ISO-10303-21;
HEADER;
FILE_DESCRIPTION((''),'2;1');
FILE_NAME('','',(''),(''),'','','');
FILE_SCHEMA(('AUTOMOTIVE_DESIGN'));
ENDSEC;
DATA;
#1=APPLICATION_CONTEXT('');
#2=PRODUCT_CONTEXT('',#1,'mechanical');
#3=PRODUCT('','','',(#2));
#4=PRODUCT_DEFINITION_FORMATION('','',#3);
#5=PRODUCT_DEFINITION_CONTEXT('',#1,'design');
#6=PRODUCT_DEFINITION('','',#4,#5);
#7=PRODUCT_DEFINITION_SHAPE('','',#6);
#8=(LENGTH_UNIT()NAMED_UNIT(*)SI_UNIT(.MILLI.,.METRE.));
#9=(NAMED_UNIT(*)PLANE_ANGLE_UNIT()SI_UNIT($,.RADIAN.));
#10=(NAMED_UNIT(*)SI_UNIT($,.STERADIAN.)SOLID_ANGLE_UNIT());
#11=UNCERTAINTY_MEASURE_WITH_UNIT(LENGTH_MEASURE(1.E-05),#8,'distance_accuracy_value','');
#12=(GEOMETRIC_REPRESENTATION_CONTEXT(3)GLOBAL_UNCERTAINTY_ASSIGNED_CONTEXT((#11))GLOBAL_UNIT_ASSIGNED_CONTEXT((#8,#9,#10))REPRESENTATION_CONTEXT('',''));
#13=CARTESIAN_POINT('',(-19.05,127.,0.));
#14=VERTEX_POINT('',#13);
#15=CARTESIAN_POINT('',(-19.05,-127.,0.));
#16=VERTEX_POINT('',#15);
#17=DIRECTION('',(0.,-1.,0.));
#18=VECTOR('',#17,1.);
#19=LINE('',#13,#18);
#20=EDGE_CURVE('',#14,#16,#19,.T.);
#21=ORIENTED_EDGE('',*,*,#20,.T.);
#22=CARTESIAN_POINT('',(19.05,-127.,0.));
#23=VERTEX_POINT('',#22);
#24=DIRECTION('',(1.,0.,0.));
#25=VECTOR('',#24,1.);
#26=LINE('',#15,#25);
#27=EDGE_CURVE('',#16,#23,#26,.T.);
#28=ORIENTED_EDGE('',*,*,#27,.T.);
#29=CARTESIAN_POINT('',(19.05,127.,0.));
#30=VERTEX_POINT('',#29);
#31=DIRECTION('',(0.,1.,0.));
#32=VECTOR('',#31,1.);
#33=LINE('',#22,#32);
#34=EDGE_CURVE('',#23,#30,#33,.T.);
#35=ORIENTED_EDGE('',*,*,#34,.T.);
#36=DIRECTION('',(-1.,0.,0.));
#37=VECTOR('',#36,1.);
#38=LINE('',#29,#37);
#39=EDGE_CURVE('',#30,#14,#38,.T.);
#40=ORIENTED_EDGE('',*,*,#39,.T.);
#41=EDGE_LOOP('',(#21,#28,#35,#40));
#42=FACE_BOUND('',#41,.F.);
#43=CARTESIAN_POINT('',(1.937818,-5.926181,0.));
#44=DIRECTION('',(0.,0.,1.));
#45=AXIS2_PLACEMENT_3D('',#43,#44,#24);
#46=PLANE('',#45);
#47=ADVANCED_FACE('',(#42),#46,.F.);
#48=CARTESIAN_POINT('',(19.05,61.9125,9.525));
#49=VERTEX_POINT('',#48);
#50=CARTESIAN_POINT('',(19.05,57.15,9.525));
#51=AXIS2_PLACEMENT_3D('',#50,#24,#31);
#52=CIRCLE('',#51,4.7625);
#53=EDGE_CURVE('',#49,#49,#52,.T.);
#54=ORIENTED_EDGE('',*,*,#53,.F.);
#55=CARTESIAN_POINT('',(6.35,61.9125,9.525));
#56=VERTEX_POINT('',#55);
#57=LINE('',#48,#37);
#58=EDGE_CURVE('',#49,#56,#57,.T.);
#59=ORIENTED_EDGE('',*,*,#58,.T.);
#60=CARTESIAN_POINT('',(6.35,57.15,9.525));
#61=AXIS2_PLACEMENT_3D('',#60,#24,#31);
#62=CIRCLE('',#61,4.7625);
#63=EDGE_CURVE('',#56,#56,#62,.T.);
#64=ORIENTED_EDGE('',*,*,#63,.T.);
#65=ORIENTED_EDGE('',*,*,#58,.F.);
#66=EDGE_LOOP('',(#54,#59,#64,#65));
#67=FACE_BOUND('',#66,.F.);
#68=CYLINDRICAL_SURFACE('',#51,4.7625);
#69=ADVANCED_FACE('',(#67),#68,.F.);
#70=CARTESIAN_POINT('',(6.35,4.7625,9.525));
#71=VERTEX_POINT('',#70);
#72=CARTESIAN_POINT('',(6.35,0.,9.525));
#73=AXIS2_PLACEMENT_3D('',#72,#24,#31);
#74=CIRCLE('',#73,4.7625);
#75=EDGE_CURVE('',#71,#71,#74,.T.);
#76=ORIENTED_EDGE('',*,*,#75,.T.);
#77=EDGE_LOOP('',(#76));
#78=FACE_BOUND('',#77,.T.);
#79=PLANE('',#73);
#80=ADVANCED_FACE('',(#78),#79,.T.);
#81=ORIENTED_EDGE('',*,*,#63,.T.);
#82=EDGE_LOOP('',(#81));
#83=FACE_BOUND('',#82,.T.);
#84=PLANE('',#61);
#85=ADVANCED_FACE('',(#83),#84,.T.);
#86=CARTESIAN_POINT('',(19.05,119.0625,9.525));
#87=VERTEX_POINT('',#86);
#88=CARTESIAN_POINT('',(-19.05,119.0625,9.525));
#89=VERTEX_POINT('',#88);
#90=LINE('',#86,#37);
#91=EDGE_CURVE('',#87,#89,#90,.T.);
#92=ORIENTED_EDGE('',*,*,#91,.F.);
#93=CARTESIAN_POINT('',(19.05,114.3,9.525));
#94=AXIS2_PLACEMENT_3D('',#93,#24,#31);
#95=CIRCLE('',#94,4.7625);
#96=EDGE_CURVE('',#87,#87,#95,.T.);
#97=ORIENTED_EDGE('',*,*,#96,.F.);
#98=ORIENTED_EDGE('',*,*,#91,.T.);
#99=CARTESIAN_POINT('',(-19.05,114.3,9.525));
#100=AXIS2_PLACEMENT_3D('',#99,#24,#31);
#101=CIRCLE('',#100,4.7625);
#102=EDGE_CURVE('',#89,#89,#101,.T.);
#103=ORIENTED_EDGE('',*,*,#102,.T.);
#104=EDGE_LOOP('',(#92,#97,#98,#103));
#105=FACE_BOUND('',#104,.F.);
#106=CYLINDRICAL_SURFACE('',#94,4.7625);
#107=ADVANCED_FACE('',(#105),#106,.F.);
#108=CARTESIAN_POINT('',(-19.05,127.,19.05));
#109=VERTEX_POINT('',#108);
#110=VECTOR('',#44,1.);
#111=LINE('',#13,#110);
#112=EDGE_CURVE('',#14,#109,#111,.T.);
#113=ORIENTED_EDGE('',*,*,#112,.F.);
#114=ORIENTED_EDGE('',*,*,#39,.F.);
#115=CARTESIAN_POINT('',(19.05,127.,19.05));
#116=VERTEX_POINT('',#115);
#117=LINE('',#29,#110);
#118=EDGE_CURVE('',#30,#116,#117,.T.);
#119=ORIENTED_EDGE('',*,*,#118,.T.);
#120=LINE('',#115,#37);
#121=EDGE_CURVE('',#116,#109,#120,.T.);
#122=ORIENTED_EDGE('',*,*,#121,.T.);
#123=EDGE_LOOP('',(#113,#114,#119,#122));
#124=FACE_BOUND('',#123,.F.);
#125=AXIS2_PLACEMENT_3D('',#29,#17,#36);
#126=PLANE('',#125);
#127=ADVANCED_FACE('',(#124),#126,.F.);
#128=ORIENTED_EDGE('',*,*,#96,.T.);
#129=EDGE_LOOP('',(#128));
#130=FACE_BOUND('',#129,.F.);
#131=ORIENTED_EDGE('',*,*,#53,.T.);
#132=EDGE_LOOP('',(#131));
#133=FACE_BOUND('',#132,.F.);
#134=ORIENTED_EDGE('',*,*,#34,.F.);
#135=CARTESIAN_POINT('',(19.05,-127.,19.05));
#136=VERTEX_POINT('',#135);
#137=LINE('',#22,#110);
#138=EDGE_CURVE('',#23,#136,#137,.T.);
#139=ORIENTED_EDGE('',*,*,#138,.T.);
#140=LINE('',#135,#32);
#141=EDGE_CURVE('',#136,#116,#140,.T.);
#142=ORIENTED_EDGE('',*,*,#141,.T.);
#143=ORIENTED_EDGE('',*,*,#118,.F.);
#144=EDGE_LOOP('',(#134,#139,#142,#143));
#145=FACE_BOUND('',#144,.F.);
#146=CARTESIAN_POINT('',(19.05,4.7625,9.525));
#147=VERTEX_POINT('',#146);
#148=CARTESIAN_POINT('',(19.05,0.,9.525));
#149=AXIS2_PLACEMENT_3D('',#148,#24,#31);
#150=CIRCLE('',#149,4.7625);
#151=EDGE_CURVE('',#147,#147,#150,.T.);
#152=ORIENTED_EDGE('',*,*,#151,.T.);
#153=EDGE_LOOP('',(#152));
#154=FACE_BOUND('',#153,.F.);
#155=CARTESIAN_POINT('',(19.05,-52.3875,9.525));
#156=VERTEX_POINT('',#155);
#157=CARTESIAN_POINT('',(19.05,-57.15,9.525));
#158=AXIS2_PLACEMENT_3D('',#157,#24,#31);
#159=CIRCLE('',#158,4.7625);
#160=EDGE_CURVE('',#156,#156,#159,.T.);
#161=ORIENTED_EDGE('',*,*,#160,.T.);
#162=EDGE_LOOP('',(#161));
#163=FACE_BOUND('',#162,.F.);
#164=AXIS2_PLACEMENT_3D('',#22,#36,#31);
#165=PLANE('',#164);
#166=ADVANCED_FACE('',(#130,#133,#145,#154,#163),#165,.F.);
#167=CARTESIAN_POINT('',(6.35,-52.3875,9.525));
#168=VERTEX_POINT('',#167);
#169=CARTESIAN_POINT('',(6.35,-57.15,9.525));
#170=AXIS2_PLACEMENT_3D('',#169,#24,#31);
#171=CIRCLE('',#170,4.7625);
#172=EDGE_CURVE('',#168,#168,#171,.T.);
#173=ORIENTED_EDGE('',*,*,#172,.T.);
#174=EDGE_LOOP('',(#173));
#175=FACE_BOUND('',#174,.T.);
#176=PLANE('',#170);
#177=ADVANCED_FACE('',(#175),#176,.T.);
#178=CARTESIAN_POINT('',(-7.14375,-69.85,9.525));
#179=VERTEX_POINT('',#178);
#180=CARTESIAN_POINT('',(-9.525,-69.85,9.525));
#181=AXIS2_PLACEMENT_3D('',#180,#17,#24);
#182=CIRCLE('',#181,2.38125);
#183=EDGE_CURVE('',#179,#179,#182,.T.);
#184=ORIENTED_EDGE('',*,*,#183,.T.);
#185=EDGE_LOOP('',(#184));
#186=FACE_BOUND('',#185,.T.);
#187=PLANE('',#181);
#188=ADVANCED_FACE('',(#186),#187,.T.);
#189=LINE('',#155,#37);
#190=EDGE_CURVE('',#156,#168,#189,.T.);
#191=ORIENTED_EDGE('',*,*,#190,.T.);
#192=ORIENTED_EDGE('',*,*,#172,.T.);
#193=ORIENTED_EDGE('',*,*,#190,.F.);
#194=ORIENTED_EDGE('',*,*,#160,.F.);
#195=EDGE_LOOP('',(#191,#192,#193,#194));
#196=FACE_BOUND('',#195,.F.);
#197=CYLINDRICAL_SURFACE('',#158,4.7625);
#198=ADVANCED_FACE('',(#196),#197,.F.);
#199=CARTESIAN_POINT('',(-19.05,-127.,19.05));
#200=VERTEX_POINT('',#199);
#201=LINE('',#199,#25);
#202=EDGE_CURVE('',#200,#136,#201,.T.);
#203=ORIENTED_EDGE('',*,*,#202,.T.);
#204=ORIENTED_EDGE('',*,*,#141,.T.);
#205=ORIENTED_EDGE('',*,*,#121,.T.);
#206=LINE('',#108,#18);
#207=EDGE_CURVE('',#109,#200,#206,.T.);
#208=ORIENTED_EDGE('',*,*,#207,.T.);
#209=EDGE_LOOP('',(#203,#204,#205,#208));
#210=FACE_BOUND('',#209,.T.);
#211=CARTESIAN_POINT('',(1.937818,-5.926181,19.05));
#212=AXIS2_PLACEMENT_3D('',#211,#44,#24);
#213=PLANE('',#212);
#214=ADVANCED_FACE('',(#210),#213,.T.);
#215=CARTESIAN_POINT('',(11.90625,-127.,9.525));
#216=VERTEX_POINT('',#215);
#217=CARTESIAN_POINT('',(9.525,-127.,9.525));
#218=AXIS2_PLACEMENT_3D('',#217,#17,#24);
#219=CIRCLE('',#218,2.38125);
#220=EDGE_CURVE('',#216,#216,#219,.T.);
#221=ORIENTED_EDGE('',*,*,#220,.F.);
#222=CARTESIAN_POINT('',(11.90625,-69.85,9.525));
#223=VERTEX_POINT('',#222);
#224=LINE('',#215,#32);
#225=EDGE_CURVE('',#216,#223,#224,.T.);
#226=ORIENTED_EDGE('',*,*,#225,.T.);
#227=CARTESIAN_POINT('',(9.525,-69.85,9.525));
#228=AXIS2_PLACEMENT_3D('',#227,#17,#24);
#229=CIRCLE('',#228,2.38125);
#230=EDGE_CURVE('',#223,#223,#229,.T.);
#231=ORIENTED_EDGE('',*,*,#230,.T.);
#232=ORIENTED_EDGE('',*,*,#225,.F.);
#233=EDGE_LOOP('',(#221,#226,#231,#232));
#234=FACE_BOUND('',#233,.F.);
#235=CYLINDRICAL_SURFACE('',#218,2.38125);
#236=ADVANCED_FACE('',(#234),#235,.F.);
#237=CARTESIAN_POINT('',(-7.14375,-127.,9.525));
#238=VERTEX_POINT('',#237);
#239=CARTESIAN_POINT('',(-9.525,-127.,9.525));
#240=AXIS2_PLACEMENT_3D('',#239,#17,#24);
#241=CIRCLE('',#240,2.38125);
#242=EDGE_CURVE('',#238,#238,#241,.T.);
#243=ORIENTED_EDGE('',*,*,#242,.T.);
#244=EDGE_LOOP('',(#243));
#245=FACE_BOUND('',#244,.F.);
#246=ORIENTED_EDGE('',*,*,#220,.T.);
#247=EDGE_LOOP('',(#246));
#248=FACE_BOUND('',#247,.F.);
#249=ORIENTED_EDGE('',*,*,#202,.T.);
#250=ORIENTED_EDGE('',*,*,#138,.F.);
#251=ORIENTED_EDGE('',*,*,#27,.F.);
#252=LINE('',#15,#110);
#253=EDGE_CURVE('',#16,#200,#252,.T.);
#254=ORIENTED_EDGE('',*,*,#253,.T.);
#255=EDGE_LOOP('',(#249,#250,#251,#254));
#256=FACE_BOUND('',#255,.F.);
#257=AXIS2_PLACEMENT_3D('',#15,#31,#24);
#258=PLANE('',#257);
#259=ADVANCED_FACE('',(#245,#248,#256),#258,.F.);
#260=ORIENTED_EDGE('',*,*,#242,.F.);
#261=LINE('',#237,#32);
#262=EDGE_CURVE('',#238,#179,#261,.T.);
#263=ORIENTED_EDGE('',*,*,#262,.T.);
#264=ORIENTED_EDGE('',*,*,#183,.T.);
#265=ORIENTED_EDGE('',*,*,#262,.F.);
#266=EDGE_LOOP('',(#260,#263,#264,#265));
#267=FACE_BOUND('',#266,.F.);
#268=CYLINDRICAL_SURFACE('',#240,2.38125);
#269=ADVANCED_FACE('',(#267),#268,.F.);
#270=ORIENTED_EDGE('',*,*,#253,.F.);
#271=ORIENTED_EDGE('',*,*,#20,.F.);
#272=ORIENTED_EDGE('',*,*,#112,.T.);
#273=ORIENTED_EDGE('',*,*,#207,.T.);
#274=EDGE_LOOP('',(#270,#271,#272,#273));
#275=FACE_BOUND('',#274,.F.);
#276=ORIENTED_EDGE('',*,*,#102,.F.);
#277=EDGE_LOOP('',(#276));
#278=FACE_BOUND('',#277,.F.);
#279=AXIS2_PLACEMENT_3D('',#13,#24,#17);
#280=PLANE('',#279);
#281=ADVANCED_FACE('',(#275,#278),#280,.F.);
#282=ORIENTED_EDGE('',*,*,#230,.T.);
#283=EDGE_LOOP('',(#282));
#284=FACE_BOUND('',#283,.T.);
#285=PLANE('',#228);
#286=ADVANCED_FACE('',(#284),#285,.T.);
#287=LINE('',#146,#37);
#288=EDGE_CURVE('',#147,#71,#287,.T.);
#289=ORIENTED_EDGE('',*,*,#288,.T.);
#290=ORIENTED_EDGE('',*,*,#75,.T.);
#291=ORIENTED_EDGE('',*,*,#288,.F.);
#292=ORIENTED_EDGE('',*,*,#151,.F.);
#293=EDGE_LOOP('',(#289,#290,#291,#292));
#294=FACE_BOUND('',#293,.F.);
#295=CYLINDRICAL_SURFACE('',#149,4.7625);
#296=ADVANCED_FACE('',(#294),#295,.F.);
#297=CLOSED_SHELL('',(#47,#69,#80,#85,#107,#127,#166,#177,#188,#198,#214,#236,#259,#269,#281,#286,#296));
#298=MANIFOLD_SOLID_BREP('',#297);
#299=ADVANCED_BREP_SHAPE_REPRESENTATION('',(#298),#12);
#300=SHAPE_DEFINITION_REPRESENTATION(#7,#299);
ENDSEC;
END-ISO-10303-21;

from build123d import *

# Parameters (mm, degrees)
F1_DEPTH = 19.05
F2_R     = 4.7625
F3_DEPTH = 38.101
F4_R     = 2.38125
F5_DEPTH = 57.15
F6_DEPTH = 12.7


with BuildPart() as f1:
    # F0 (on Top) → F1 (new body)
    with BuildSketch(Plane.XY):
        Polygon((19.05, -127), (19.05, 127), (12.7, 127), (-19.05, 63.5), (-19.05, -127), align=None)
        Polygon((-19.05, 63.5), (12.7, 127), (-19.05, 127), align=None)
    extrude(amount=F1_DEPTH)

    # F2 (on face) → F3 (cut, through all)
    with BuildSketch(Plane.YZ.offset(19.05)):
        with Locations((114.3, 9.525)):
            Circle(F2_R)
    extrude(amount=-F3_DEPTH, mode=Mode.SUBTRACT)

    # F4 (on face) → F5 (cut)
    with BuildSketch(Plane.XZ.offset(127)):
        with Locations((-9.525, 9.525)):
            Circle(F4_R)
        with Locations((9.525, 9.525)):
            Circle(F4_R)
    extrude(amount=-F5_DEPTH, mode=Mode.SUBTRACT)

    # F2 (on face) → F6 (cut)
    with BuildSketch(Plane.YZ.offset(19.05)):
        with Locations((-57.15, 9.525)):
            Circle(F2_R)
        with Locations((0, 9.525)):
            Circle(F2_R)
        with Locations((57.15, 9.525)):
            Circle(F2_R)
    extrude(amount=-F6_DEPTH, mode=Mode.SUBTRACT)


solid = f1.part
